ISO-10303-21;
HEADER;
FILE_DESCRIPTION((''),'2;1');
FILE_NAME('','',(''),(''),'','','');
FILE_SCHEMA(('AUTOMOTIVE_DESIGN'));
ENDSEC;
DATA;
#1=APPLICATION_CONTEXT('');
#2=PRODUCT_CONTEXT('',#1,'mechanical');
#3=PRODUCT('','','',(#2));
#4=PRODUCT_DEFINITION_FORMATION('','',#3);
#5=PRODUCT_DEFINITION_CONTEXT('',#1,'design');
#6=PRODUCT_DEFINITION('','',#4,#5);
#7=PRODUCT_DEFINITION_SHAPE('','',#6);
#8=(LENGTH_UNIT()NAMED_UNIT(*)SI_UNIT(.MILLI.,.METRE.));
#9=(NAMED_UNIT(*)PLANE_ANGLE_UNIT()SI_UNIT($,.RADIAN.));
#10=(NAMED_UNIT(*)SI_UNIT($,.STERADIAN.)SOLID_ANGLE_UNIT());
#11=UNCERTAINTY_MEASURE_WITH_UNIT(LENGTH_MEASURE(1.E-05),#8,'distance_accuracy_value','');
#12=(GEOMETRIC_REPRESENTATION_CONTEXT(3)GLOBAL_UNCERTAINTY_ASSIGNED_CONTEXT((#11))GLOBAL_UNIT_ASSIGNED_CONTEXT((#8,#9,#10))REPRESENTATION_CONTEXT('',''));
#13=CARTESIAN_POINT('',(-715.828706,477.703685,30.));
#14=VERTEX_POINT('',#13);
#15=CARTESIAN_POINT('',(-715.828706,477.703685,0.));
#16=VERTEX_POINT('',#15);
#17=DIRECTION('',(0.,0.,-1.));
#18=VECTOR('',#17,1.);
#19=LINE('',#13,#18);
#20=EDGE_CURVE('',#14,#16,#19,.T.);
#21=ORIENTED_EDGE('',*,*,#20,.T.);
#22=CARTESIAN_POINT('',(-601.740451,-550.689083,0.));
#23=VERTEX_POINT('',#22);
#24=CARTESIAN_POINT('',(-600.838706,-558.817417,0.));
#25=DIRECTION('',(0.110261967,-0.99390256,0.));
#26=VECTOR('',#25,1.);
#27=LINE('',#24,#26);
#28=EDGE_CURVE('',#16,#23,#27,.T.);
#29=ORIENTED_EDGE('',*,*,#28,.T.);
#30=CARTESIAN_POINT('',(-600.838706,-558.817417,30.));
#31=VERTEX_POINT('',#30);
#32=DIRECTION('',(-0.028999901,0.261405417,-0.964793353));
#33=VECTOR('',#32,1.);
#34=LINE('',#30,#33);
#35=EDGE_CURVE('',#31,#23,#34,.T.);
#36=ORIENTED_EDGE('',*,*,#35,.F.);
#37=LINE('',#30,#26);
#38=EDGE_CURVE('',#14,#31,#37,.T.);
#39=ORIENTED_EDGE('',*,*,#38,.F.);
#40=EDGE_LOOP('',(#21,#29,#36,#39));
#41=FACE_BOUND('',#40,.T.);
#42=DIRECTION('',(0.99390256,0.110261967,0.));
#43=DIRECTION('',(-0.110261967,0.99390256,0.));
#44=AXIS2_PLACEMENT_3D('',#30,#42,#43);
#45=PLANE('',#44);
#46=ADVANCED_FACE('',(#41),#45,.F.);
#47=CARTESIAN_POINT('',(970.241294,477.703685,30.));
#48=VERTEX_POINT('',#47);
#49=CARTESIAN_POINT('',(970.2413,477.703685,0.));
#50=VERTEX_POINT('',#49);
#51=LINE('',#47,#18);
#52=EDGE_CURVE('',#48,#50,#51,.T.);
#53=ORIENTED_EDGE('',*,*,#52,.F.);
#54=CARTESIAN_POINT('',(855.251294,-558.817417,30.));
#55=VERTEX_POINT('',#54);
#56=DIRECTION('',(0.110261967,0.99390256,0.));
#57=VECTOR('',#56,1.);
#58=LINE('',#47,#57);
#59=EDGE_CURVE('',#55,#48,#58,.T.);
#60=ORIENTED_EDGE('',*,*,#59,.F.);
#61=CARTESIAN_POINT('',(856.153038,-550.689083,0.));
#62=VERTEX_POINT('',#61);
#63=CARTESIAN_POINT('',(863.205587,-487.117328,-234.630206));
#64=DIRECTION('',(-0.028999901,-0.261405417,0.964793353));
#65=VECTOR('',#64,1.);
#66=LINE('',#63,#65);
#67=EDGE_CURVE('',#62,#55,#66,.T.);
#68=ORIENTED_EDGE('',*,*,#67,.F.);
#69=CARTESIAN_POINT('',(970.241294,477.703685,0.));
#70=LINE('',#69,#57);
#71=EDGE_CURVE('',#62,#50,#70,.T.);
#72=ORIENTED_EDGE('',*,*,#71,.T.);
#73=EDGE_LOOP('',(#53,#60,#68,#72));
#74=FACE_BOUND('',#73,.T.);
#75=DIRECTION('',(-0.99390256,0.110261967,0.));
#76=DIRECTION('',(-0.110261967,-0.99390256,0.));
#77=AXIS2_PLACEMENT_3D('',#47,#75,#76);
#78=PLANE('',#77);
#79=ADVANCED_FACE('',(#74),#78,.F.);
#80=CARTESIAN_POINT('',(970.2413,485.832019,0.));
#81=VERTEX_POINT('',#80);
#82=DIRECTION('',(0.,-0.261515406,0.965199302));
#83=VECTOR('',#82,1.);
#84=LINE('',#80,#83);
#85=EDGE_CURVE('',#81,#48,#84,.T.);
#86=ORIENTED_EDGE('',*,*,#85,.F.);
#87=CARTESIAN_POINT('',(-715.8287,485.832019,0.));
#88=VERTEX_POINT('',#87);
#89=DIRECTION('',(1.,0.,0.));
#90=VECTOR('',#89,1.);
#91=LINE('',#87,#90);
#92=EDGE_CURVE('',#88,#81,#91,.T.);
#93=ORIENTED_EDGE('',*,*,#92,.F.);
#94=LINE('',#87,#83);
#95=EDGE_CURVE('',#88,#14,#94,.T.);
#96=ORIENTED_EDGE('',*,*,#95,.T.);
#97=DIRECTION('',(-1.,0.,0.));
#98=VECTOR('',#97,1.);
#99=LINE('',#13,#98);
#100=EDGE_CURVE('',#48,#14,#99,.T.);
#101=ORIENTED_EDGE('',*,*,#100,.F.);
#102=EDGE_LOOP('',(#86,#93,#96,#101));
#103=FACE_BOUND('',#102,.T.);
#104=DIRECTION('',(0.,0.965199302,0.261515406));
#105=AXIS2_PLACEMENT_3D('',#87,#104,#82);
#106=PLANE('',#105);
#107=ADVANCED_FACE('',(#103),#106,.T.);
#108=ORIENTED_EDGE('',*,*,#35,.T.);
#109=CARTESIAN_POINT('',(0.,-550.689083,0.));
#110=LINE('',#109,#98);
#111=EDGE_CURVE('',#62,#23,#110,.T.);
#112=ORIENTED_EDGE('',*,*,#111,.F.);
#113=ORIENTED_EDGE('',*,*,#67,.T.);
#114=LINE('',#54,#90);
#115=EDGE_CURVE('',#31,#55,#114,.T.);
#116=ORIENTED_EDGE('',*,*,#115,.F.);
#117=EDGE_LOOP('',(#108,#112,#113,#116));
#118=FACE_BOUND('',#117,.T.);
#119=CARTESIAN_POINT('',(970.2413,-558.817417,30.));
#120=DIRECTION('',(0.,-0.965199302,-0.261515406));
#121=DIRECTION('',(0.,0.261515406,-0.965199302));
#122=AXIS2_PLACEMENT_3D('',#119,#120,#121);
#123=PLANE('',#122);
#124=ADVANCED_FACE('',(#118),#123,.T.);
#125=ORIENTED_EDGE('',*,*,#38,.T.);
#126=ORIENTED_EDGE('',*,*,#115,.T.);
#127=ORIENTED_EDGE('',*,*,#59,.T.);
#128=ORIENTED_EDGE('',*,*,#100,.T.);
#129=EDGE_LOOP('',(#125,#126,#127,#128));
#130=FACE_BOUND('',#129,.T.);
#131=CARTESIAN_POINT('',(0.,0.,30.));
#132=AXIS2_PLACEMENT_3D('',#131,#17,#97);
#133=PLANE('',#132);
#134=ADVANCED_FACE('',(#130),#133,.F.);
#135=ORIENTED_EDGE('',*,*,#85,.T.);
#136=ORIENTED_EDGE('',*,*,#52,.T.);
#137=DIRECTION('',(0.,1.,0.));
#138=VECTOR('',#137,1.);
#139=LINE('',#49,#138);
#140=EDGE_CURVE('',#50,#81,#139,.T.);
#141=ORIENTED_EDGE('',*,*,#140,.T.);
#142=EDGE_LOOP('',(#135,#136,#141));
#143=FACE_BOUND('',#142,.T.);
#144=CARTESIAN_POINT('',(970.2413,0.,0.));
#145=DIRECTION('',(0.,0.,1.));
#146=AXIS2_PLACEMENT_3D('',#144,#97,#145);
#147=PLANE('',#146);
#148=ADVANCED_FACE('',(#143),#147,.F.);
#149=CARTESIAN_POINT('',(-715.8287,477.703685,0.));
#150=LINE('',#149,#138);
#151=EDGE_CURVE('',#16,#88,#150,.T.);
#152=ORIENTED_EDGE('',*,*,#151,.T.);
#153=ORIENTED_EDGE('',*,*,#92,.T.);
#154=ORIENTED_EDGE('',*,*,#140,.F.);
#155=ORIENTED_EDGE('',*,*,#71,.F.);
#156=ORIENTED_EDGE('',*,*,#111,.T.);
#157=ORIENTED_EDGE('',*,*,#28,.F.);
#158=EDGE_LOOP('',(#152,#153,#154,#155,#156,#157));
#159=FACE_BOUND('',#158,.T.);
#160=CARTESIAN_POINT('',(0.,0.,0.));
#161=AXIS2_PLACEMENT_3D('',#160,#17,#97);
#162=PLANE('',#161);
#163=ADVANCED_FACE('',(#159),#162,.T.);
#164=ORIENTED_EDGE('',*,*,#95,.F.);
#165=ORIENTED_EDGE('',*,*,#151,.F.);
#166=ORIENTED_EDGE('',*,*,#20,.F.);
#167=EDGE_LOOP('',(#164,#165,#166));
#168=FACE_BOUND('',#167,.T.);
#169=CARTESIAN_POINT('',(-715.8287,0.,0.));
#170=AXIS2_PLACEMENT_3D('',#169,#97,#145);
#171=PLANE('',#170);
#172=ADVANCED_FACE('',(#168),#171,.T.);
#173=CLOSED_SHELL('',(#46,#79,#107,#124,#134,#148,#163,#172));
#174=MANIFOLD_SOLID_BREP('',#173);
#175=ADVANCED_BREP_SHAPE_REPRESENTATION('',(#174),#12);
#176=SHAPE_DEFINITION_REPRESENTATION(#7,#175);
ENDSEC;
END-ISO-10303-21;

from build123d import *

# Parameters (mm, degrees)
BOSS_EXTRU_1_DEPTH           = 30
BOSS_EXTRU_2_DEPTH           = 970.2413
BOSS_EXTRU_2_DEPTH_BACK      = 715.8287
ENL_V_MAT_EXTRU_1_DEPTH      = 970.2413
ENL_V_MAT_EXTRU_1_DEPTH_BACK = 970.2413


with BuildPart() as part:
    # Esquisse1 → Boss.-Extru.1 (new body)
    with BuildSketch(Plane.XY):
        Polygon((-715.828706454, 477.703685082), (970.241293546, 477.703685082), (855.251293546, -558.817416632), (-600.838706454, -558.817416632), align=None)
    extrude(amount=BOSS_EXTRU_1_DEPTH)

    # Esquisse2 → Boss.-Extru.2 (add, two sides: drawn at the far end of the back side and taken through both)
    with BuildSketch(Plane(origin=(0, 0, 0), x_dir=(0, 0, -1), z_dir=(1, 0, 0)).offset(-BOSS_EXTRU_2_DEPTH_BACK)):
        Polygon((-30, 477.703685082), (0, 477.703685082), (0, 485.832018962), align=None)
    extrude(amount=BOSS_EXTRU_2_DEPTH + BOSS_EXTRU_2_DEPTH_BACK)

    # Esquisse3 → Enlèv. mat.-Extru.1 (cut, two sides: drawn at the far end of the back side and taken through both)
    with BuildSketch(Plane(origin=(0, 0, 0), x_dir=(0, 0, -1), z_dir=(1, 0, 0)).offset(-ENL_V_MAT_EXTRU_1_DEPTH_BACK)):
        Polygon((-30, -558.817416632), (0, -550.689082753), (0, -558.817416632), align=None)
    extrude(amount=ENL_V_MAT_EXTRU_1_DEPTH + ENL_V_MAT_EXTRU_1_DEPTH_BACK, mode=Mode.SUBTRACT)


solid = part.part
